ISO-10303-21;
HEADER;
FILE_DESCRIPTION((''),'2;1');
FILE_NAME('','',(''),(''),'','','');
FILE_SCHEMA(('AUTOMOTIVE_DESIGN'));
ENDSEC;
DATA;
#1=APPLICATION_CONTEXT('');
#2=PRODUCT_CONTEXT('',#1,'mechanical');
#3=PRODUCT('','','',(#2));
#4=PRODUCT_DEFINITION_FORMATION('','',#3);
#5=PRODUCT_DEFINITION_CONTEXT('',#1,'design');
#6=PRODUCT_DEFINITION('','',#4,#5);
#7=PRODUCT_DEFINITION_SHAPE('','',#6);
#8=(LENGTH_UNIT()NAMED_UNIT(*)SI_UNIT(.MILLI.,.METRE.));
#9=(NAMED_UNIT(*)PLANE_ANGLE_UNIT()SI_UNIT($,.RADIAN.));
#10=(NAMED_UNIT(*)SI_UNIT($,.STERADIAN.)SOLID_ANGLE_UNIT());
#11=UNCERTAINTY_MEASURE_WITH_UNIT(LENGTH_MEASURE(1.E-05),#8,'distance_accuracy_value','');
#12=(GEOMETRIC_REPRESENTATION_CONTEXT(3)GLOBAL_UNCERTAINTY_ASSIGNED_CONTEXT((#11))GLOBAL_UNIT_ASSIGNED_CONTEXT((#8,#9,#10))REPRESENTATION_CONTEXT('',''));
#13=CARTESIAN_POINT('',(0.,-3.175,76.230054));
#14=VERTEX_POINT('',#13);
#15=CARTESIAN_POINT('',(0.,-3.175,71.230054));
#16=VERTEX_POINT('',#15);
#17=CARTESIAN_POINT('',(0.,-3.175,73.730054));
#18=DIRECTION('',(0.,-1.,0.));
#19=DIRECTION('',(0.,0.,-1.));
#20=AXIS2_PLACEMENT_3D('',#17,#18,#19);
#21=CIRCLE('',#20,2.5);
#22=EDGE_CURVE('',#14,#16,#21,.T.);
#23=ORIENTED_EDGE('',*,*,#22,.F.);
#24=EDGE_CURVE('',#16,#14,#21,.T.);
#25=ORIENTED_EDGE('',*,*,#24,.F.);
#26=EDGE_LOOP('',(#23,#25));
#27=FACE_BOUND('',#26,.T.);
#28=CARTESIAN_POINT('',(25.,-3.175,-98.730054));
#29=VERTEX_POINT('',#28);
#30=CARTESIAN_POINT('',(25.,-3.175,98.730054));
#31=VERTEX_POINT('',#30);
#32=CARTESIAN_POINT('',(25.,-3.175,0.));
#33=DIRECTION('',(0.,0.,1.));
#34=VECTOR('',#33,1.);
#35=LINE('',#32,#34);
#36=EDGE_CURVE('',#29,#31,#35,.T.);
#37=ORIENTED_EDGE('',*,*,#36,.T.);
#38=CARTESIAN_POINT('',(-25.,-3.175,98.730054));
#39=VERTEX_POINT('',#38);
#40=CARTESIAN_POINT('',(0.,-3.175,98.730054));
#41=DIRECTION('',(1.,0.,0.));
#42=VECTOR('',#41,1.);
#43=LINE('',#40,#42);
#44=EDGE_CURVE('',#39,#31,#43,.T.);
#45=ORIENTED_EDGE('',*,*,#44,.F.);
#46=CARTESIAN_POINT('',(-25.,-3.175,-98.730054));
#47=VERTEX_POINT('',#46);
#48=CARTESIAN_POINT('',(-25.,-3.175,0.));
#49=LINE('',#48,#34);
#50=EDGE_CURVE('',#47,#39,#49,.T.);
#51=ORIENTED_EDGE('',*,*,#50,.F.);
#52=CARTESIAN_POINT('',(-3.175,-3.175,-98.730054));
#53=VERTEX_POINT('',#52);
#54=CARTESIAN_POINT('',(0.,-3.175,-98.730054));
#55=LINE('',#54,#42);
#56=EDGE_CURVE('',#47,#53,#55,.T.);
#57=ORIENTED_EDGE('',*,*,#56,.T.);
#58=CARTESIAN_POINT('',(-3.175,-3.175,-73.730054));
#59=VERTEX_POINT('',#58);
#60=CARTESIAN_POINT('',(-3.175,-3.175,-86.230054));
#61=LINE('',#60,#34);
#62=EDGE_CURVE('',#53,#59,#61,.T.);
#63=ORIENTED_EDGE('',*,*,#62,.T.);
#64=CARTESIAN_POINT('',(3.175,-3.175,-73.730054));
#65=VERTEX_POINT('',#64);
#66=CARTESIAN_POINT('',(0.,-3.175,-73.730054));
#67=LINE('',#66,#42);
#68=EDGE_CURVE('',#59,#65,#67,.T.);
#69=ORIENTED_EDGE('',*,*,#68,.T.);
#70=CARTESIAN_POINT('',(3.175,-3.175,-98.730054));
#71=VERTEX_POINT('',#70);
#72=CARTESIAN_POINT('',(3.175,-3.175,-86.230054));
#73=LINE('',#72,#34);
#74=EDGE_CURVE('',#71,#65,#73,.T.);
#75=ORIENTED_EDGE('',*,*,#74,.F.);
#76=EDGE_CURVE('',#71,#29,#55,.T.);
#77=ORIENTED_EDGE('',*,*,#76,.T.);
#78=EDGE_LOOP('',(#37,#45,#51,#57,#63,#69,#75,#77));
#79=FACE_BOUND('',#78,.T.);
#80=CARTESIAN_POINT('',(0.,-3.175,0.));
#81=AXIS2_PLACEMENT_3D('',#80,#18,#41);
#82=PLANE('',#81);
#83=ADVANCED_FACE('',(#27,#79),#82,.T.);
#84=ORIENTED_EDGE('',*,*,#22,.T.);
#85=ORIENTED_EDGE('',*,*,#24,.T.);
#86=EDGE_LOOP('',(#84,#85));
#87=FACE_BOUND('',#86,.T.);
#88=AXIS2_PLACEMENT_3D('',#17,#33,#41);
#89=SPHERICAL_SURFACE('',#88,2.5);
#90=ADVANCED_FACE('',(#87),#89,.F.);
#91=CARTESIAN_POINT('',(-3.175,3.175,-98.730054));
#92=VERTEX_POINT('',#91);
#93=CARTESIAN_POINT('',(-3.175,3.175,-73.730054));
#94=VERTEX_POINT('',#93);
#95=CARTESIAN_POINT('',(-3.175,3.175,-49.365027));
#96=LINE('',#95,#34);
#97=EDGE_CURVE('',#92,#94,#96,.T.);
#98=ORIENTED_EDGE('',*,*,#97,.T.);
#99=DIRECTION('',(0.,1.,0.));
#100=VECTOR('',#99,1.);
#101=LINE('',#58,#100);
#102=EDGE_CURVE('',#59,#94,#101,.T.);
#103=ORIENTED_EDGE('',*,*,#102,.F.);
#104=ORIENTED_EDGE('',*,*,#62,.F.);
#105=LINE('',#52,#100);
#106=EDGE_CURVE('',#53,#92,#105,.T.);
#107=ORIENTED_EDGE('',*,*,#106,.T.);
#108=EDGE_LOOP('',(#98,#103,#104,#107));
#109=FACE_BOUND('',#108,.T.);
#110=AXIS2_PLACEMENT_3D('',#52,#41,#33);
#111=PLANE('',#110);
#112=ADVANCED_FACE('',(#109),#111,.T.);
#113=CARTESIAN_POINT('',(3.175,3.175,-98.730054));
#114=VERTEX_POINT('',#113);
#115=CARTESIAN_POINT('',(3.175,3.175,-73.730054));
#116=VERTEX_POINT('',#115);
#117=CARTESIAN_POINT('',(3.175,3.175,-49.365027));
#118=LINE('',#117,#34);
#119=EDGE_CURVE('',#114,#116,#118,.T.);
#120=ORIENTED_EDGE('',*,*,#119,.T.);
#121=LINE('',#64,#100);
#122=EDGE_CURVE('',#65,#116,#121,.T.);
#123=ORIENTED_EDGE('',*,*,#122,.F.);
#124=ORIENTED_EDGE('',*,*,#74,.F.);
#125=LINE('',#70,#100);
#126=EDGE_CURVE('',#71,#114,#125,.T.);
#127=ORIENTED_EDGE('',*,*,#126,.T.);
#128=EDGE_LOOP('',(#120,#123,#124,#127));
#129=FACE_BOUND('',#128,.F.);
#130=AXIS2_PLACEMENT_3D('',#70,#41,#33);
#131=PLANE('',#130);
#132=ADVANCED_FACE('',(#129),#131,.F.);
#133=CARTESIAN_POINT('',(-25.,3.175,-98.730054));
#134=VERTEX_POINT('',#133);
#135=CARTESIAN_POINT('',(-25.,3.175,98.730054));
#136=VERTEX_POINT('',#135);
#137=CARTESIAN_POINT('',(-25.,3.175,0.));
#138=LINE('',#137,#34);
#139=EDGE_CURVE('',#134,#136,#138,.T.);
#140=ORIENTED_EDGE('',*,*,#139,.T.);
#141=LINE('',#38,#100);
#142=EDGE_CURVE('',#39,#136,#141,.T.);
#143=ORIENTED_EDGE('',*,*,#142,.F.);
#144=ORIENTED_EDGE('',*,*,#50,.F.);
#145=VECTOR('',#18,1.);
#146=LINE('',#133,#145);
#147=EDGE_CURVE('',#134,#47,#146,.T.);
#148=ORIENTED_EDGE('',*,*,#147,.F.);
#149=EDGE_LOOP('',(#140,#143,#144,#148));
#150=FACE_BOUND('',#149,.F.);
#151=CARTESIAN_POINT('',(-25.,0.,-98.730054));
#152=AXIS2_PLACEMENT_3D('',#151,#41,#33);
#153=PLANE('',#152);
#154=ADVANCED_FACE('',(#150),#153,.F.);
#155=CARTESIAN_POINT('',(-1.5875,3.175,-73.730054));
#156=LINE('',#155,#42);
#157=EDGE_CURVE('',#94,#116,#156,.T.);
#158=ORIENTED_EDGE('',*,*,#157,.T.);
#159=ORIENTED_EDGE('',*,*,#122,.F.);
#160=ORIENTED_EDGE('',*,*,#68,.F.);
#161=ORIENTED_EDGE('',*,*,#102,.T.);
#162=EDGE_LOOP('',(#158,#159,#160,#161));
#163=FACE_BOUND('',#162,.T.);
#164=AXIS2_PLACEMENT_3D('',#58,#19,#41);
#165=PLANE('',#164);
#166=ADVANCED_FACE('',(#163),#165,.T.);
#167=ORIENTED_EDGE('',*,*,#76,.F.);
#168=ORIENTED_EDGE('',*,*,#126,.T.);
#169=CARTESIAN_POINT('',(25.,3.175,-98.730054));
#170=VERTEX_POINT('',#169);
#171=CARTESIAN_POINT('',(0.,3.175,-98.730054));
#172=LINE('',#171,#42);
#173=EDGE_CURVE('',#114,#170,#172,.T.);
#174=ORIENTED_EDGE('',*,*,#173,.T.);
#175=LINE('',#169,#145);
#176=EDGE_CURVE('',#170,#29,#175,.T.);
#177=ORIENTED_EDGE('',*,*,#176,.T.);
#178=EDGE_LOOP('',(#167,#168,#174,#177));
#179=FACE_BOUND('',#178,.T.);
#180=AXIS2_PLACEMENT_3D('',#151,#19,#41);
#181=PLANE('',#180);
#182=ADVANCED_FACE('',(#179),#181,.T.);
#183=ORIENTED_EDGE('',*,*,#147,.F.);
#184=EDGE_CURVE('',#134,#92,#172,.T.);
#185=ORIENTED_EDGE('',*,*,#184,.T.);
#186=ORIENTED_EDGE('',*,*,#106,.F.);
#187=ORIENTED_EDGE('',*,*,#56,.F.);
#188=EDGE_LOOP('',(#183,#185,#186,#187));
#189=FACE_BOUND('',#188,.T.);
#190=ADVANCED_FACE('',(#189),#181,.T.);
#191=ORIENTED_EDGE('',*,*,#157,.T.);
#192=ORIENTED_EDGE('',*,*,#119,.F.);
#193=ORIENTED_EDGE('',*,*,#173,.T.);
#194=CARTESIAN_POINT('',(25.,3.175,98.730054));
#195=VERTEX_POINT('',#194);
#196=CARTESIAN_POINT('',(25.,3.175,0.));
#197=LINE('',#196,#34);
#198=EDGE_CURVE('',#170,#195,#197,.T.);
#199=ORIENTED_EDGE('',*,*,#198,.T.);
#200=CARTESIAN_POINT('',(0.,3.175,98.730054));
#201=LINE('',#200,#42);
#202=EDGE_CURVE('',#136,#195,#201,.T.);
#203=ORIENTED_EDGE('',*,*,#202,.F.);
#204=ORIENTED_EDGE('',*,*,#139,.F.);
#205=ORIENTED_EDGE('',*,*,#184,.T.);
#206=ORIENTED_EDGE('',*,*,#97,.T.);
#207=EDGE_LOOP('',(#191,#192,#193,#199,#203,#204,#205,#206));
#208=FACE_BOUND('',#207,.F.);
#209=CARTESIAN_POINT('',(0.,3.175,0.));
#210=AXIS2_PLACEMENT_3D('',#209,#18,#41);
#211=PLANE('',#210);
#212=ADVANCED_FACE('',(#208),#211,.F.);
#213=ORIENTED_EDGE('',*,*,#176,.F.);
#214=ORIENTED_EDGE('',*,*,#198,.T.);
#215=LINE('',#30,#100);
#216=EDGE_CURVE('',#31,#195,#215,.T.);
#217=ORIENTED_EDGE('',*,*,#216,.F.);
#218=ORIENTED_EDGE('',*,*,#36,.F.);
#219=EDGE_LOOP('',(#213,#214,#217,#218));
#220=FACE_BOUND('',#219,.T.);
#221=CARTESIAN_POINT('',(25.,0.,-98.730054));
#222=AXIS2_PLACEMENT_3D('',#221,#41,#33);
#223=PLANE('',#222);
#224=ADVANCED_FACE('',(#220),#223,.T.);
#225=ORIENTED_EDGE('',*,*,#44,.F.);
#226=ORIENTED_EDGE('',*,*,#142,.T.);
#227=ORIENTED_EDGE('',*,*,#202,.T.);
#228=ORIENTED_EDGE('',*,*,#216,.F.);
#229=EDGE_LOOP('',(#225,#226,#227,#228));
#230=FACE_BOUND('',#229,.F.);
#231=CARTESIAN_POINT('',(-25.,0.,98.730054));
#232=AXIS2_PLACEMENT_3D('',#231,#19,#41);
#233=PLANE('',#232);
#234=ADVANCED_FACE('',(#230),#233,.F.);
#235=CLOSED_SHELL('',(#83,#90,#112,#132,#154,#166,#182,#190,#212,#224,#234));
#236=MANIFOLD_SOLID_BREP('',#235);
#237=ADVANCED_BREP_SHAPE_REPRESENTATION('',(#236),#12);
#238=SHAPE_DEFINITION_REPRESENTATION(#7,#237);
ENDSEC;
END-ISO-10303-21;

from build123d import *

# Parameters (mm, degrees)
F0_W     = 50
F0_H     = 197.460108
F1_DEPTH = 3.175
F4_W     = 6.35
F4_H     = 25
F5_DEPTH = 6.351


with BuildPart() as f1:
    # F0 (on Front) → F1 (new body, symmetric)
    with BuildSketch(Plane.XZ):
        Rectangle(F0_W, F0_H)
    extrude(amount=F1_DEPTH, both=True)

    # F2 (on face) → F3 (revolve, cut)
    with BuildSketch(Plane.XZ.offset(3.175)):
        with BuildLine():
            ThreePointArc((0, 71.230054), (2.5, 73.730054), (0, 76.230054))
            Line((0, 76.230054), (0, 71.230054))
        make_face()
    revolve(axis=Axis((0, -3.175, 73.730054), (0, 0, -1)), mode=Mode.SUBTRACT)

    # F4 (on face) → F5 (cut, through all)
    with BuildSketch(Plane.XZ.offset(3.175)):
        with Locations((0, -86.230054)):
            Rectangle(F4_W, F4_H)
    extrude(amount=-F5_DEPTH, mode=Mode.SUBTRACT)


solid = f1.part
